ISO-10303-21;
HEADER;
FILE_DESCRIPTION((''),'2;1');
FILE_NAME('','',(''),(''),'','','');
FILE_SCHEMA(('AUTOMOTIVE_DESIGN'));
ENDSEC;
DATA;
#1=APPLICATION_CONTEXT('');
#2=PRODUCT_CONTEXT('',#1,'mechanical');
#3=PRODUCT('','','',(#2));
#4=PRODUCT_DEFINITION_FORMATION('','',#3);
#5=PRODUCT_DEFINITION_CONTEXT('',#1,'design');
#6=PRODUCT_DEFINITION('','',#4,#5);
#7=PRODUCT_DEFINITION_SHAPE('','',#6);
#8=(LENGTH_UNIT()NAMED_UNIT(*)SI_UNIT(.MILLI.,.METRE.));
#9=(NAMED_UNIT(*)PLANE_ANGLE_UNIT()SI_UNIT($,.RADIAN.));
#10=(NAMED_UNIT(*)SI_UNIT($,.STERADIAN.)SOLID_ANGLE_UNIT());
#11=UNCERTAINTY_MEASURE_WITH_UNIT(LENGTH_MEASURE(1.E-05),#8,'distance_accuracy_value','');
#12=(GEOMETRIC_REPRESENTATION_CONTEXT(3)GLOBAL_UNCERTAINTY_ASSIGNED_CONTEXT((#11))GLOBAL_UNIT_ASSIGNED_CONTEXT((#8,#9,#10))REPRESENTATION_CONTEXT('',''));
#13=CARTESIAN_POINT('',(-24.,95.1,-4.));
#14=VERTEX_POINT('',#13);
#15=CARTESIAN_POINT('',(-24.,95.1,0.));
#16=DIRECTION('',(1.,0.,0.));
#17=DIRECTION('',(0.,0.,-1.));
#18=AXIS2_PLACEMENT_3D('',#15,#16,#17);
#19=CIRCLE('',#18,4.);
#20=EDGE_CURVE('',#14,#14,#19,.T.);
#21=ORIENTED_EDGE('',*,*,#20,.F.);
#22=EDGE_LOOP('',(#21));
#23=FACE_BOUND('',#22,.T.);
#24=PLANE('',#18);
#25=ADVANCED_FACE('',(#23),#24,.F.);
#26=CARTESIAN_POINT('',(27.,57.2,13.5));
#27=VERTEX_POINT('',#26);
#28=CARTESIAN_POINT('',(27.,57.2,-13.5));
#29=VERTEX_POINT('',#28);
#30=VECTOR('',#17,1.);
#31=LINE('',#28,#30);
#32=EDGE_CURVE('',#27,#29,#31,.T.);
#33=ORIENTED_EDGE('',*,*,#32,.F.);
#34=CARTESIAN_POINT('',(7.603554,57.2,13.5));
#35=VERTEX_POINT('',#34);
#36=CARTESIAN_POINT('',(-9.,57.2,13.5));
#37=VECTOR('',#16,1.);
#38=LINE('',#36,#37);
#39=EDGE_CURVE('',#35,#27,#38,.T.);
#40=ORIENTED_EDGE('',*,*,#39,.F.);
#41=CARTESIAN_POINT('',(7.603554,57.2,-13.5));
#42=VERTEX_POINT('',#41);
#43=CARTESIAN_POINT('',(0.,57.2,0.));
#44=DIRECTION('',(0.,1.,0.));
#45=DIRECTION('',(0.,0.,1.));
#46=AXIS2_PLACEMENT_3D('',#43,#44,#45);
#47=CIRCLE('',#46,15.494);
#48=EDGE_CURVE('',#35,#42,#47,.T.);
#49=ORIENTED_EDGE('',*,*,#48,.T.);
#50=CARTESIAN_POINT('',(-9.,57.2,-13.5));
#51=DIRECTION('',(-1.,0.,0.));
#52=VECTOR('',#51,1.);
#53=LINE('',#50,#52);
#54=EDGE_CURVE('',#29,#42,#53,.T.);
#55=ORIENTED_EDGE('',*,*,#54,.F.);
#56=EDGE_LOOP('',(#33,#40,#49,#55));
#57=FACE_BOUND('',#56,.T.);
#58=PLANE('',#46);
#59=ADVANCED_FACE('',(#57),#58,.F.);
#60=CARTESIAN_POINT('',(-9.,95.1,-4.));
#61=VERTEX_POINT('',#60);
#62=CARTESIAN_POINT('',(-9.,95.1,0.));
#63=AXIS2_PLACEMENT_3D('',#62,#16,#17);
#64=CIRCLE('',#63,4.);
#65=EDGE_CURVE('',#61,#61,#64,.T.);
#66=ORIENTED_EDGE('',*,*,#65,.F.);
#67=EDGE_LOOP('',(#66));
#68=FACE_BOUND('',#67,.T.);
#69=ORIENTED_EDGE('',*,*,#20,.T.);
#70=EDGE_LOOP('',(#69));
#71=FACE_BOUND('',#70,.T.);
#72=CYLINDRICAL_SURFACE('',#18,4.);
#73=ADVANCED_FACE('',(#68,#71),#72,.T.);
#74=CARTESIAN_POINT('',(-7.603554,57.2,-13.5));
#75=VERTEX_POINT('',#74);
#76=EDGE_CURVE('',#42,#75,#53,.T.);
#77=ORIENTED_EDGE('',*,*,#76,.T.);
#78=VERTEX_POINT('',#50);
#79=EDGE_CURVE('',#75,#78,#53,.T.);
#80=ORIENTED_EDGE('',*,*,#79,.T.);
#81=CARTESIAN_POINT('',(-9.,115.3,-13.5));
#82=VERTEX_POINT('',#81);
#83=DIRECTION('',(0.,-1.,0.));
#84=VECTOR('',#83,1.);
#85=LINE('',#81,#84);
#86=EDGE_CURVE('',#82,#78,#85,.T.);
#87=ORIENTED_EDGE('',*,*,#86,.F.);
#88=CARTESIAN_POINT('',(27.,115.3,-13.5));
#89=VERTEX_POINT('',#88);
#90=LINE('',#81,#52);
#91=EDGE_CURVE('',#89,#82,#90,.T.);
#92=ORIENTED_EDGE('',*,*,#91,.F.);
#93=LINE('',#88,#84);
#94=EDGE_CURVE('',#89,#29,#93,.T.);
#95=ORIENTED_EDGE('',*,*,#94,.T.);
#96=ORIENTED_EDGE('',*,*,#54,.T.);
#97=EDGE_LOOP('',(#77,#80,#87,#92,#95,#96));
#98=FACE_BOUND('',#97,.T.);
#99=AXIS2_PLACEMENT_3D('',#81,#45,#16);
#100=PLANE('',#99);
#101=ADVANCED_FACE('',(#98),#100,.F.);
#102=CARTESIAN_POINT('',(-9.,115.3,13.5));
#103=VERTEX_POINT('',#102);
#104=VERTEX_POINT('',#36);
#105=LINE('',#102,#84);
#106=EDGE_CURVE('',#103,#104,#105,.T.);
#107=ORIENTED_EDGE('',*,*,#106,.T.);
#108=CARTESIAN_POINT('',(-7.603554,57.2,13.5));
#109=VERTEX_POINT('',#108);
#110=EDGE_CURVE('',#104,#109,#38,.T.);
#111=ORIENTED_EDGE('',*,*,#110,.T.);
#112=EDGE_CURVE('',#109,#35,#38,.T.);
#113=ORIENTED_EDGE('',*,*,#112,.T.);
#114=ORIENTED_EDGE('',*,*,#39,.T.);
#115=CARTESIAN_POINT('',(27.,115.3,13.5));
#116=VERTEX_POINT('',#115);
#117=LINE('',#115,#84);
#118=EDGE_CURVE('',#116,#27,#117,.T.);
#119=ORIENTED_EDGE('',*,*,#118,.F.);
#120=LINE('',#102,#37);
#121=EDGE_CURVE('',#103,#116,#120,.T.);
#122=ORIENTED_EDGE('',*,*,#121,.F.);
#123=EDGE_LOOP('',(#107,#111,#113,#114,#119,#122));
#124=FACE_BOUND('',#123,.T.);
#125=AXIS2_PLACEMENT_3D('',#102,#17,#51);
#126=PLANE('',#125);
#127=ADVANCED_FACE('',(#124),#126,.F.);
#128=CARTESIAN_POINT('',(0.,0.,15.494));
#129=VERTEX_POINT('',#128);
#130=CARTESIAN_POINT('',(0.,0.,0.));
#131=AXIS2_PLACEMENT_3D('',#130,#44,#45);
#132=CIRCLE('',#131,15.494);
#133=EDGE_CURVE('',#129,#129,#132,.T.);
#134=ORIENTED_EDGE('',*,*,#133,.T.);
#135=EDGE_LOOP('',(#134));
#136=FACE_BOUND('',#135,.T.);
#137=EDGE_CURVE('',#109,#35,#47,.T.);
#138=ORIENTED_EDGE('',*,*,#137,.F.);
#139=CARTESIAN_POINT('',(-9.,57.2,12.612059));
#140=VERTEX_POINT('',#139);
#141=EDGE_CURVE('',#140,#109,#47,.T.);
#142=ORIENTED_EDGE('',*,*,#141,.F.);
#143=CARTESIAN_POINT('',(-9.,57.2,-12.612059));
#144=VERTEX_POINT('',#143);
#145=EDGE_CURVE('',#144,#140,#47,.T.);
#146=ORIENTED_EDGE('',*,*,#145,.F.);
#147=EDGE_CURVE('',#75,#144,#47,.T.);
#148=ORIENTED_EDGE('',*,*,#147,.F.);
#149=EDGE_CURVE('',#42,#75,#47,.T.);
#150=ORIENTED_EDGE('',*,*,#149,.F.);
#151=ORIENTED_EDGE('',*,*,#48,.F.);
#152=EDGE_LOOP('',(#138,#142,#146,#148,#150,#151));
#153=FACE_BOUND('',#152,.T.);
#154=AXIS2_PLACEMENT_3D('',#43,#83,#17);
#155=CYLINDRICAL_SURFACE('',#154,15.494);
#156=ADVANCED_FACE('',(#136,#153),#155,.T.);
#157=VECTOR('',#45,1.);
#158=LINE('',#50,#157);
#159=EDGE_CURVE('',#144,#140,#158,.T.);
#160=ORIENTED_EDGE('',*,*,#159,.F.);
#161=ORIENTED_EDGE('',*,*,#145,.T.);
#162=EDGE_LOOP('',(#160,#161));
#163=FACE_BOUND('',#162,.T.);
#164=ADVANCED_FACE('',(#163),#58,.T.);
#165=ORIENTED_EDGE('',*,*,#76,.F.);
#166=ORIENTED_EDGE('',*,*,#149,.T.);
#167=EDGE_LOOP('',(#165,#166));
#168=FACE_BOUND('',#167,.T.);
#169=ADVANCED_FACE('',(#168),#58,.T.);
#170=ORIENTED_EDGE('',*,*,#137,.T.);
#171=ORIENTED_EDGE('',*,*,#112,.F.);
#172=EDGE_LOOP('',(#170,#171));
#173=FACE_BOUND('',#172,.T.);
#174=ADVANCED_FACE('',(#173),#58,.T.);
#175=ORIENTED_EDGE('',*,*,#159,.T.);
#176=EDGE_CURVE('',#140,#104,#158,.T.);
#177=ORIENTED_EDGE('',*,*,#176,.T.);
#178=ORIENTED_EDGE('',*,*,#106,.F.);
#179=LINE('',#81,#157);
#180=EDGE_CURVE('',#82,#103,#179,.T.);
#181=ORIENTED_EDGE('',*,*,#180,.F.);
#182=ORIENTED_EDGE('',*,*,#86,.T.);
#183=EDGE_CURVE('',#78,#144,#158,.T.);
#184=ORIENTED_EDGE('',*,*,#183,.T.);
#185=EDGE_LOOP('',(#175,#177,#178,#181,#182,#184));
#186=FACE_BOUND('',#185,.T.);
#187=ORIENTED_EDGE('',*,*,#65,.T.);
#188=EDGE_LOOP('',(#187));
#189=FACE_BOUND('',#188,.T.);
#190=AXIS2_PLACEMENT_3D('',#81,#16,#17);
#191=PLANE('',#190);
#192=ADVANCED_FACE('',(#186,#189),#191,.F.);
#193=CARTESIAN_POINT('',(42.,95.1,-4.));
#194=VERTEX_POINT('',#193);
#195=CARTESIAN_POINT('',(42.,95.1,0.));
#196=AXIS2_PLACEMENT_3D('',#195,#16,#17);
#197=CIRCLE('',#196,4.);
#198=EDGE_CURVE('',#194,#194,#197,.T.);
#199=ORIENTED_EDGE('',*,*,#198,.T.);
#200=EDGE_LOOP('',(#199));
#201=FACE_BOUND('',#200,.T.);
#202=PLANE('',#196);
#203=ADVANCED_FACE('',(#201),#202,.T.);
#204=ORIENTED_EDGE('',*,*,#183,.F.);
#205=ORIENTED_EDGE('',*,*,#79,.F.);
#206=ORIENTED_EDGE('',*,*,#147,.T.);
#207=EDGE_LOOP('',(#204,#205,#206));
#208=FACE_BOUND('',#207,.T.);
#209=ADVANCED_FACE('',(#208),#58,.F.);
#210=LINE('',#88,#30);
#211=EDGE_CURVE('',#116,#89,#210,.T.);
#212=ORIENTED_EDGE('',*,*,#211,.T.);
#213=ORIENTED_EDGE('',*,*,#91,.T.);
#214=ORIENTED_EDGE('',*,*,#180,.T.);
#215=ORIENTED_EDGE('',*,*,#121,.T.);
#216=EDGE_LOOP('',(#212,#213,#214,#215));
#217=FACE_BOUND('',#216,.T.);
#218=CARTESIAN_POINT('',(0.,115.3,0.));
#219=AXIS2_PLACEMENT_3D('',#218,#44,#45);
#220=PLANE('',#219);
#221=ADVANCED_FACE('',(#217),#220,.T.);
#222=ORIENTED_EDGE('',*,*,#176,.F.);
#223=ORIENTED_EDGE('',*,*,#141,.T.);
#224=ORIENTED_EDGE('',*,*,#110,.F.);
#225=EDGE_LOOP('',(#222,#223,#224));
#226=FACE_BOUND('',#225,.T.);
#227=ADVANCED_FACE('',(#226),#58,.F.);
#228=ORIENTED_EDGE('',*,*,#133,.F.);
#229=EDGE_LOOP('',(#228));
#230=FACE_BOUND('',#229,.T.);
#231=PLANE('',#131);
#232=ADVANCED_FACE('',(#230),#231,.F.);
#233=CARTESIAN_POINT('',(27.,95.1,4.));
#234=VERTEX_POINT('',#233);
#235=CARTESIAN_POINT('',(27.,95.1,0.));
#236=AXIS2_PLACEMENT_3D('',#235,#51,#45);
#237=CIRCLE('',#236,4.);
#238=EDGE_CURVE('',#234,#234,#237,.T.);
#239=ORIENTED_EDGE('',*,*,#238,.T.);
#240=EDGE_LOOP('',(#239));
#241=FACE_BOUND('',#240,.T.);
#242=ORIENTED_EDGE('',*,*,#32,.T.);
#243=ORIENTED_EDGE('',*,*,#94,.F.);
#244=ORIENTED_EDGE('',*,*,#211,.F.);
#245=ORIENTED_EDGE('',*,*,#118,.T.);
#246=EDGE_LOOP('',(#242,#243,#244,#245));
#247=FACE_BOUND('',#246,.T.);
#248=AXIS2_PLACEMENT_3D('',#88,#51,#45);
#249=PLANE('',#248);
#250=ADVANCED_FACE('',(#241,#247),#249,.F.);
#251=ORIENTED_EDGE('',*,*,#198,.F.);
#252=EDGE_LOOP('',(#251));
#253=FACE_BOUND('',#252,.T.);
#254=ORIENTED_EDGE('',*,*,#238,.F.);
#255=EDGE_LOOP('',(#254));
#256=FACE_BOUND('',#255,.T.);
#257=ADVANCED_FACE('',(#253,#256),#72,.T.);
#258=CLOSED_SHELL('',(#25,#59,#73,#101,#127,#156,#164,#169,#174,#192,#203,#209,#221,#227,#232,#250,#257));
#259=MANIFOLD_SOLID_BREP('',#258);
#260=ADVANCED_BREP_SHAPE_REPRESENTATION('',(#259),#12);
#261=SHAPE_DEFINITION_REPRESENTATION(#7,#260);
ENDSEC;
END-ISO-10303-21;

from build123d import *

# Parameters (mm, degrees)
SKETCH2_R                = 15.494
BOSS_EXTRUDE1_DEPTH      = 57.2
SKETCH3_W                = 36
SKETCH3_H                = 27
BOSS_EXTRUDE2_DEPTH      = 58.1
BOSS_EXTRUDE3_DEPTH      = 15
BOSS_EXTRUDE3_DEPTH_BACK = 51
SKETCH4_R                = 4


with BuildPart() as part:
    # Sketch2 → Boss-Extrude1 (new body)
    with BuildSketch(Plane(origin=(0, 0, 0), x_dir=(1, 0, 0), z_dir=(0, 1, 0))):
        with Locations(Location((0, 0, 0), (0, 0, 270))):
            Circle(SKETCH2_R)
    extrude(amount=BOSS_EXTRUDE1_DEPTH)

    # Sketch3 → Boss-Extrude2 (add)
    with BuildSketch(Plane(origin=(0, 57.2, 0), x_dir=(1, 0, 0), z_dir=(0, 1, 0))):
        with Locations((9, 0)):
            Rectangle(SKETCH3_W, SKETCH3_H)
    extrude(amount=BOSS_EXTRUDE2_DEPTH)

    # Sketch4 → Boss-Extrude3 (add, two sides: drawn at the far end of the back side and taken through both)
    with BuildSketch(Plane(origin=(27, 0, 0), x_dir=(0, 0, -1), z_dir=(1, 0, 0)).offset(-BOSS_EXTRUDE3_DEPTH_BACK)):
        with Locations((0, 95.1)):
            Circle(SKETCH4_R)
    extrude(amount=BOSS_EXTRUDE3_DEPTH + BOSS_EXTRUDE3_DEPTH_BACK)


solid = part.part
